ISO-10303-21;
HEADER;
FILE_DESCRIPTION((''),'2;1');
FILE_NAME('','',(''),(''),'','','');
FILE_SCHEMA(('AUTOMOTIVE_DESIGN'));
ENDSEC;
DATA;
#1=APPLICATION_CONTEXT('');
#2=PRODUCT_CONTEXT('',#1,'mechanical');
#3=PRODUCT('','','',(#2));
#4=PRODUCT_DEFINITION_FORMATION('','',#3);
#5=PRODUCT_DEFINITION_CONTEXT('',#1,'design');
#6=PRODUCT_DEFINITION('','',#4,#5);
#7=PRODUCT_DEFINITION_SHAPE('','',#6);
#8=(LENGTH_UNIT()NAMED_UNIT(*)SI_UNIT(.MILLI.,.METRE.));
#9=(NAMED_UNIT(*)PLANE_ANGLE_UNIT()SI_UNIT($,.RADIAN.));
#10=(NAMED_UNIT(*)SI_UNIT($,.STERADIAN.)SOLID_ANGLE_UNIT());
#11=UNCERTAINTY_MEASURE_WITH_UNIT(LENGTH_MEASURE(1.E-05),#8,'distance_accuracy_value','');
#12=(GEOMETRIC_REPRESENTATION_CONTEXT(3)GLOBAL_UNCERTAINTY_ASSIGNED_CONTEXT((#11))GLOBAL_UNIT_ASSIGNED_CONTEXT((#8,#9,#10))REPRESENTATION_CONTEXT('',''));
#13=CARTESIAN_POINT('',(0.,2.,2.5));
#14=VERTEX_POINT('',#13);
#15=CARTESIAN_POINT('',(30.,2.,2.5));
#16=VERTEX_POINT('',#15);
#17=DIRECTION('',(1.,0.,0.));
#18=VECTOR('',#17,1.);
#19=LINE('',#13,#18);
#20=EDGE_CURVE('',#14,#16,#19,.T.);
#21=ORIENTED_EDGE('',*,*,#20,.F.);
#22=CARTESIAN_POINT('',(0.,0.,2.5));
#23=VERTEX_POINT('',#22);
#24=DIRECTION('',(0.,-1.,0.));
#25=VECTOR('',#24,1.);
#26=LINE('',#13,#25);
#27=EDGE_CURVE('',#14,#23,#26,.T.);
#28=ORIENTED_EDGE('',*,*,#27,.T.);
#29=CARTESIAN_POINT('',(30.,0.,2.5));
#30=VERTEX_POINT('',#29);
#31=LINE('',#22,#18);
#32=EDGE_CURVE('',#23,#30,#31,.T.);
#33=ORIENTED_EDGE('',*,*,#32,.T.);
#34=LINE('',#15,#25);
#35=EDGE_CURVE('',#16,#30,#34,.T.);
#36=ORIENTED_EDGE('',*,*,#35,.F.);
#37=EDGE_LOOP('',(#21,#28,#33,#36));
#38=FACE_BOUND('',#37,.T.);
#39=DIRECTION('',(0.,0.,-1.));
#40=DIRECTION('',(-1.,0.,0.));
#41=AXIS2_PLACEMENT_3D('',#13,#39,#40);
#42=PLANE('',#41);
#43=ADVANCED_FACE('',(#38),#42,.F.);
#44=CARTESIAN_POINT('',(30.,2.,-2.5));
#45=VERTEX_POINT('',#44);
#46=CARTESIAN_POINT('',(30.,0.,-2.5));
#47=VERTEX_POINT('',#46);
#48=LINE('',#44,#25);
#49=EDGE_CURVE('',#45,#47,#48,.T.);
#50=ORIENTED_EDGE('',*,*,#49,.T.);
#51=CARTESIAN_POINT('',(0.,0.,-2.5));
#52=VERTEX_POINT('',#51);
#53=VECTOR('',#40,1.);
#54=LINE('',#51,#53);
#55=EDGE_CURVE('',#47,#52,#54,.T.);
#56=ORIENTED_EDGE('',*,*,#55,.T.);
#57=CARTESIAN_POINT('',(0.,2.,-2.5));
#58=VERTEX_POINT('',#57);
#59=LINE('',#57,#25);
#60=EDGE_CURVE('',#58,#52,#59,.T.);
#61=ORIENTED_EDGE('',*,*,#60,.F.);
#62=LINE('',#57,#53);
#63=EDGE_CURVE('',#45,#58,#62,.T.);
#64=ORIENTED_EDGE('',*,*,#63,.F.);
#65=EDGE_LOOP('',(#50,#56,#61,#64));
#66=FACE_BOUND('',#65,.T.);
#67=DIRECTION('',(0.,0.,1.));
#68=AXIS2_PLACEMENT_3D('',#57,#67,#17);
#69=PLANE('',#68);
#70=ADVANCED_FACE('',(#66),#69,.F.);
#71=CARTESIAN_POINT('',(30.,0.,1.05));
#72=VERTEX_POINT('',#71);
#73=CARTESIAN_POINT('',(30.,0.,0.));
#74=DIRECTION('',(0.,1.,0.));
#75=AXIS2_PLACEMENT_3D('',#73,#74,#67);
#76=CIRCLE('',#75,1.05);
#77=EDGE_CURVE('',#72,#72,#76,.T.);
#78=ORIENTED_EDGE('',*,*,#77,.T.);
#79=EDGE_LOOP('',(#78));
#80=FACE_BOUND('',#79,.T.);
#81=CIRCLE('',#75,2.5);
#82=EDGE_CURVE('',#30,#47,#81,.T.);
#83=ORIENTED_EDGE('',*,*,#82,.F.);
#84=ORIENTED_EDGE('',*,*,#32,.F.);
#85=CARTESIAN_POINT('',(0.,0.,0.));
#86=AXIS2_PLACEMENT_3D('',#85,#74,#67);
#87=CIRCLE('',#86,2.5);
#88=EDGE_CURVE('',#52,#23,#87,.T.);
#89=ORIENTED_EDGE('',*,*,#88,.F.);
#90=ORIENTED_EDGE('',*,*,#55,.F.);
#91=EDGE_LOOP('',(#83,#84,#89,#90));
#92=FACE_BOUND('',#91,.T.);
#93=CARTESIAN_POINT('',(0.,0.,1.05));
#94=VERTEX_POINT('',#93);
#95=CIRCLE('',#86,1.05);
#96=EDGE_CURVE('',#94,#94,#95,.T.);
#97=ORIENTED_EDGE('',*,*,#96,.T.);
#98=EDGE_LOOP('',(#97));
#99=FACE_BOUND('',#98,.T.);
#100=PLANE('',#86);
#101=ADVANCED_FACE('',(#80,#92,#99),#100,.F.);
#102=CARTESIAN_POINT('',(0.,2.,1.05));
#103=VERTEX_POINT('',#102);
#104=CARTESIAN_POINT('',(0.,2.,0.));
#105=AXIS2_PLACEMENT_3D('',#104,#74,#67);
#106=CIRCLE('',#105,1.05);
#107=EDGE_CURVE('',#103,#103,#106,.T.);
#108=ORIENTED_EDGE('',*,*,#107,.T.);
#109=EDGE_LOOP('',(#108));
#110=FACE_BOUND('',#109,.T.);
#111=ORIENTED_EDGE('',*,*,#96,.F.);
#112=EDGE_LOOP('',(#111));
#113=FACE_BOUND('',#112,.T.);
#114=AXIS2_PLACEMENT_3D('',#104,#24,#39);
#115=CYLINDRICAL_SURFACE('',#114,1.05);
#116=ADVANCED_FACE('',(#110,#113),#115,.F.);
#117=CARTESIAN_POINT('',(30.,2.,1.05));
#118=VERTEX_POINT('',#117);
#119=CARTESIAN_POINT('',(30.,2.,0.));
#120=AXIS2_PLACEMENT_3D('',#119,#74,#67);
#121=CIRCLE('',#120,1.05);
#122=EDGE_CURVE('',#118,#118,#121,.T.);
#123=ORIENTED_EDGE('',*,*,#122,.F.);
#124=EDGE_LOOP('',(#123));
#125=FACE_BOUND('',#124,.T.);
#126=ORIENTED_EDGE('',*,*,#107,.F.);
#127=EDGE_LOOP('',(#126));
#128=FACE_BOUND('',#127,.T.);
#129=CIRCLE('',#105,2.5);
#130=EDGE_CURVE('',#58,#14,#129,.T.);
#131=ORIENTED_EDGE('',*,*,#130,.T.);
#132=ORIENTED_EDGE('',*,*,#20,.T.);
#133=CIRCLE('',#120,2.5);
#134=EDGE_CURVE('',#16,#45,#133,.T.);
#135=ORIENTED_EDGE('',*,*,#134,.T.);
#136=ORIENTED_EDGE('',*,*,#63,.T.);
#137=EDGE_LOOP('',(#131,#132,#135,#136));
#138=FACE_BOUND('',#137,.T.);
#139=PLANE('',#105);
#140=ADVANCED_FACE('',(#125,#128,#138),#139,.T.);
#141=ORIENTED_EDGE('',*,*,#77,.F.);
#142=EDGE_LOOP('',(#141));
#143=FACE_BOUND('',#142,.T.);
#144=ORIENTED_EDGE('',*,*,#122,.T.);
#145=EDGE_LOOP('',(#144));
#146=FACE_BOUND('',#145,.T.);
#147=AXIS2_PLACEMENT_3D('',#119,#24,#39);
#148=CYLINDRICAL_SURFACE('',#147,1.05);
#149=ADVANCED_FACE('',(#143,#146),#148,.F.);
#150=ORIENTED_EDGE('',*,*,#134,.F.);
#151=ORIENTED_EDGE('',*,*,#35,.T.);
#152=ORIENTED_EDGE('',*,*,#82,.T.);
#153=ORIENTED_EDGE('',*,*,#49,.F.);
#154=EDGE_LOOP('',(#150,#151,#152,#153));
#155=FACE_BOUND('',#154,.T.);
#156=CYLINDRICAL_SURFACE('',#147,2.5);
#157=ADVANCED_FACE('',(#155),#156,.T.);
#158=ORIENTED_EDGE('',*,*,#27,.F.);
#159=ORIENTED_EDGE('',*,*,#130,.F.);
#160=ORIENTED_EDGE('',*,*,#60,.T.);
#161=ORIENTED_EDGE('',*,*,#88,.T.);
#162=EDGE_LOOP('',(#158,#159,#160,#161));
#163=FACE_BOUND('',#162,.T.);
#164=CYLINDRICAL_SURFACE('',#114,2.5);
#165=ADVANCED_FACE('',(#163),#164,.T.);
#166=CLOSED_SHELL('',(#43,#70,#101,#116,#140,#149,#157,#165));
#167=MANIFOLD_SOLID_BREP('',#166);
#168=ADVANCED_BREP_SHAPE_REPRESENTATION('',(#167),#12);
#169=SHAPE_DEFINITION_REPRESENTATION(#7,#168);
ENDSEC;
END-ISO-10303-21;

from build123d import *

# Parameters (mm, degrees)
SKETCH1_R           = 1.05
BOSS_EXTRUDE1_DEPTH = 2


with BuildPart() as part:
    # Sketch1 → Boss-Extrude1 (new body)
    with BuildSketch(Plane(origin=(0, 0, 0), x_dir=(1, 0, 0), z_dir=(0, 1, 0))):
        with BuildLine():
            Line((0, 2.5), (30, 2.5))
            ThreePointArc((30, 2.5), (32.5, 0), (30, -2.5))
            Line((30, -2.5), (0, -2.5))
            ThreePointArc((0, -2.5), (-2.5, 0), (0, 2.5))
        make_face()
        with Locations(Location((0, 0, 0), (0, 0, 270))):
            Circle(SKETCH1_R, mode=Mode.SUBTRACT)
        with Locations(Location((30, 0, 0), (0, 0, 270))):
            Circle(SKETCH1_R, mode=Mode.SUBTRACT)
    extrude(amount=BOSS_EXTRUDE1_DEPTH)


solid = part.part
